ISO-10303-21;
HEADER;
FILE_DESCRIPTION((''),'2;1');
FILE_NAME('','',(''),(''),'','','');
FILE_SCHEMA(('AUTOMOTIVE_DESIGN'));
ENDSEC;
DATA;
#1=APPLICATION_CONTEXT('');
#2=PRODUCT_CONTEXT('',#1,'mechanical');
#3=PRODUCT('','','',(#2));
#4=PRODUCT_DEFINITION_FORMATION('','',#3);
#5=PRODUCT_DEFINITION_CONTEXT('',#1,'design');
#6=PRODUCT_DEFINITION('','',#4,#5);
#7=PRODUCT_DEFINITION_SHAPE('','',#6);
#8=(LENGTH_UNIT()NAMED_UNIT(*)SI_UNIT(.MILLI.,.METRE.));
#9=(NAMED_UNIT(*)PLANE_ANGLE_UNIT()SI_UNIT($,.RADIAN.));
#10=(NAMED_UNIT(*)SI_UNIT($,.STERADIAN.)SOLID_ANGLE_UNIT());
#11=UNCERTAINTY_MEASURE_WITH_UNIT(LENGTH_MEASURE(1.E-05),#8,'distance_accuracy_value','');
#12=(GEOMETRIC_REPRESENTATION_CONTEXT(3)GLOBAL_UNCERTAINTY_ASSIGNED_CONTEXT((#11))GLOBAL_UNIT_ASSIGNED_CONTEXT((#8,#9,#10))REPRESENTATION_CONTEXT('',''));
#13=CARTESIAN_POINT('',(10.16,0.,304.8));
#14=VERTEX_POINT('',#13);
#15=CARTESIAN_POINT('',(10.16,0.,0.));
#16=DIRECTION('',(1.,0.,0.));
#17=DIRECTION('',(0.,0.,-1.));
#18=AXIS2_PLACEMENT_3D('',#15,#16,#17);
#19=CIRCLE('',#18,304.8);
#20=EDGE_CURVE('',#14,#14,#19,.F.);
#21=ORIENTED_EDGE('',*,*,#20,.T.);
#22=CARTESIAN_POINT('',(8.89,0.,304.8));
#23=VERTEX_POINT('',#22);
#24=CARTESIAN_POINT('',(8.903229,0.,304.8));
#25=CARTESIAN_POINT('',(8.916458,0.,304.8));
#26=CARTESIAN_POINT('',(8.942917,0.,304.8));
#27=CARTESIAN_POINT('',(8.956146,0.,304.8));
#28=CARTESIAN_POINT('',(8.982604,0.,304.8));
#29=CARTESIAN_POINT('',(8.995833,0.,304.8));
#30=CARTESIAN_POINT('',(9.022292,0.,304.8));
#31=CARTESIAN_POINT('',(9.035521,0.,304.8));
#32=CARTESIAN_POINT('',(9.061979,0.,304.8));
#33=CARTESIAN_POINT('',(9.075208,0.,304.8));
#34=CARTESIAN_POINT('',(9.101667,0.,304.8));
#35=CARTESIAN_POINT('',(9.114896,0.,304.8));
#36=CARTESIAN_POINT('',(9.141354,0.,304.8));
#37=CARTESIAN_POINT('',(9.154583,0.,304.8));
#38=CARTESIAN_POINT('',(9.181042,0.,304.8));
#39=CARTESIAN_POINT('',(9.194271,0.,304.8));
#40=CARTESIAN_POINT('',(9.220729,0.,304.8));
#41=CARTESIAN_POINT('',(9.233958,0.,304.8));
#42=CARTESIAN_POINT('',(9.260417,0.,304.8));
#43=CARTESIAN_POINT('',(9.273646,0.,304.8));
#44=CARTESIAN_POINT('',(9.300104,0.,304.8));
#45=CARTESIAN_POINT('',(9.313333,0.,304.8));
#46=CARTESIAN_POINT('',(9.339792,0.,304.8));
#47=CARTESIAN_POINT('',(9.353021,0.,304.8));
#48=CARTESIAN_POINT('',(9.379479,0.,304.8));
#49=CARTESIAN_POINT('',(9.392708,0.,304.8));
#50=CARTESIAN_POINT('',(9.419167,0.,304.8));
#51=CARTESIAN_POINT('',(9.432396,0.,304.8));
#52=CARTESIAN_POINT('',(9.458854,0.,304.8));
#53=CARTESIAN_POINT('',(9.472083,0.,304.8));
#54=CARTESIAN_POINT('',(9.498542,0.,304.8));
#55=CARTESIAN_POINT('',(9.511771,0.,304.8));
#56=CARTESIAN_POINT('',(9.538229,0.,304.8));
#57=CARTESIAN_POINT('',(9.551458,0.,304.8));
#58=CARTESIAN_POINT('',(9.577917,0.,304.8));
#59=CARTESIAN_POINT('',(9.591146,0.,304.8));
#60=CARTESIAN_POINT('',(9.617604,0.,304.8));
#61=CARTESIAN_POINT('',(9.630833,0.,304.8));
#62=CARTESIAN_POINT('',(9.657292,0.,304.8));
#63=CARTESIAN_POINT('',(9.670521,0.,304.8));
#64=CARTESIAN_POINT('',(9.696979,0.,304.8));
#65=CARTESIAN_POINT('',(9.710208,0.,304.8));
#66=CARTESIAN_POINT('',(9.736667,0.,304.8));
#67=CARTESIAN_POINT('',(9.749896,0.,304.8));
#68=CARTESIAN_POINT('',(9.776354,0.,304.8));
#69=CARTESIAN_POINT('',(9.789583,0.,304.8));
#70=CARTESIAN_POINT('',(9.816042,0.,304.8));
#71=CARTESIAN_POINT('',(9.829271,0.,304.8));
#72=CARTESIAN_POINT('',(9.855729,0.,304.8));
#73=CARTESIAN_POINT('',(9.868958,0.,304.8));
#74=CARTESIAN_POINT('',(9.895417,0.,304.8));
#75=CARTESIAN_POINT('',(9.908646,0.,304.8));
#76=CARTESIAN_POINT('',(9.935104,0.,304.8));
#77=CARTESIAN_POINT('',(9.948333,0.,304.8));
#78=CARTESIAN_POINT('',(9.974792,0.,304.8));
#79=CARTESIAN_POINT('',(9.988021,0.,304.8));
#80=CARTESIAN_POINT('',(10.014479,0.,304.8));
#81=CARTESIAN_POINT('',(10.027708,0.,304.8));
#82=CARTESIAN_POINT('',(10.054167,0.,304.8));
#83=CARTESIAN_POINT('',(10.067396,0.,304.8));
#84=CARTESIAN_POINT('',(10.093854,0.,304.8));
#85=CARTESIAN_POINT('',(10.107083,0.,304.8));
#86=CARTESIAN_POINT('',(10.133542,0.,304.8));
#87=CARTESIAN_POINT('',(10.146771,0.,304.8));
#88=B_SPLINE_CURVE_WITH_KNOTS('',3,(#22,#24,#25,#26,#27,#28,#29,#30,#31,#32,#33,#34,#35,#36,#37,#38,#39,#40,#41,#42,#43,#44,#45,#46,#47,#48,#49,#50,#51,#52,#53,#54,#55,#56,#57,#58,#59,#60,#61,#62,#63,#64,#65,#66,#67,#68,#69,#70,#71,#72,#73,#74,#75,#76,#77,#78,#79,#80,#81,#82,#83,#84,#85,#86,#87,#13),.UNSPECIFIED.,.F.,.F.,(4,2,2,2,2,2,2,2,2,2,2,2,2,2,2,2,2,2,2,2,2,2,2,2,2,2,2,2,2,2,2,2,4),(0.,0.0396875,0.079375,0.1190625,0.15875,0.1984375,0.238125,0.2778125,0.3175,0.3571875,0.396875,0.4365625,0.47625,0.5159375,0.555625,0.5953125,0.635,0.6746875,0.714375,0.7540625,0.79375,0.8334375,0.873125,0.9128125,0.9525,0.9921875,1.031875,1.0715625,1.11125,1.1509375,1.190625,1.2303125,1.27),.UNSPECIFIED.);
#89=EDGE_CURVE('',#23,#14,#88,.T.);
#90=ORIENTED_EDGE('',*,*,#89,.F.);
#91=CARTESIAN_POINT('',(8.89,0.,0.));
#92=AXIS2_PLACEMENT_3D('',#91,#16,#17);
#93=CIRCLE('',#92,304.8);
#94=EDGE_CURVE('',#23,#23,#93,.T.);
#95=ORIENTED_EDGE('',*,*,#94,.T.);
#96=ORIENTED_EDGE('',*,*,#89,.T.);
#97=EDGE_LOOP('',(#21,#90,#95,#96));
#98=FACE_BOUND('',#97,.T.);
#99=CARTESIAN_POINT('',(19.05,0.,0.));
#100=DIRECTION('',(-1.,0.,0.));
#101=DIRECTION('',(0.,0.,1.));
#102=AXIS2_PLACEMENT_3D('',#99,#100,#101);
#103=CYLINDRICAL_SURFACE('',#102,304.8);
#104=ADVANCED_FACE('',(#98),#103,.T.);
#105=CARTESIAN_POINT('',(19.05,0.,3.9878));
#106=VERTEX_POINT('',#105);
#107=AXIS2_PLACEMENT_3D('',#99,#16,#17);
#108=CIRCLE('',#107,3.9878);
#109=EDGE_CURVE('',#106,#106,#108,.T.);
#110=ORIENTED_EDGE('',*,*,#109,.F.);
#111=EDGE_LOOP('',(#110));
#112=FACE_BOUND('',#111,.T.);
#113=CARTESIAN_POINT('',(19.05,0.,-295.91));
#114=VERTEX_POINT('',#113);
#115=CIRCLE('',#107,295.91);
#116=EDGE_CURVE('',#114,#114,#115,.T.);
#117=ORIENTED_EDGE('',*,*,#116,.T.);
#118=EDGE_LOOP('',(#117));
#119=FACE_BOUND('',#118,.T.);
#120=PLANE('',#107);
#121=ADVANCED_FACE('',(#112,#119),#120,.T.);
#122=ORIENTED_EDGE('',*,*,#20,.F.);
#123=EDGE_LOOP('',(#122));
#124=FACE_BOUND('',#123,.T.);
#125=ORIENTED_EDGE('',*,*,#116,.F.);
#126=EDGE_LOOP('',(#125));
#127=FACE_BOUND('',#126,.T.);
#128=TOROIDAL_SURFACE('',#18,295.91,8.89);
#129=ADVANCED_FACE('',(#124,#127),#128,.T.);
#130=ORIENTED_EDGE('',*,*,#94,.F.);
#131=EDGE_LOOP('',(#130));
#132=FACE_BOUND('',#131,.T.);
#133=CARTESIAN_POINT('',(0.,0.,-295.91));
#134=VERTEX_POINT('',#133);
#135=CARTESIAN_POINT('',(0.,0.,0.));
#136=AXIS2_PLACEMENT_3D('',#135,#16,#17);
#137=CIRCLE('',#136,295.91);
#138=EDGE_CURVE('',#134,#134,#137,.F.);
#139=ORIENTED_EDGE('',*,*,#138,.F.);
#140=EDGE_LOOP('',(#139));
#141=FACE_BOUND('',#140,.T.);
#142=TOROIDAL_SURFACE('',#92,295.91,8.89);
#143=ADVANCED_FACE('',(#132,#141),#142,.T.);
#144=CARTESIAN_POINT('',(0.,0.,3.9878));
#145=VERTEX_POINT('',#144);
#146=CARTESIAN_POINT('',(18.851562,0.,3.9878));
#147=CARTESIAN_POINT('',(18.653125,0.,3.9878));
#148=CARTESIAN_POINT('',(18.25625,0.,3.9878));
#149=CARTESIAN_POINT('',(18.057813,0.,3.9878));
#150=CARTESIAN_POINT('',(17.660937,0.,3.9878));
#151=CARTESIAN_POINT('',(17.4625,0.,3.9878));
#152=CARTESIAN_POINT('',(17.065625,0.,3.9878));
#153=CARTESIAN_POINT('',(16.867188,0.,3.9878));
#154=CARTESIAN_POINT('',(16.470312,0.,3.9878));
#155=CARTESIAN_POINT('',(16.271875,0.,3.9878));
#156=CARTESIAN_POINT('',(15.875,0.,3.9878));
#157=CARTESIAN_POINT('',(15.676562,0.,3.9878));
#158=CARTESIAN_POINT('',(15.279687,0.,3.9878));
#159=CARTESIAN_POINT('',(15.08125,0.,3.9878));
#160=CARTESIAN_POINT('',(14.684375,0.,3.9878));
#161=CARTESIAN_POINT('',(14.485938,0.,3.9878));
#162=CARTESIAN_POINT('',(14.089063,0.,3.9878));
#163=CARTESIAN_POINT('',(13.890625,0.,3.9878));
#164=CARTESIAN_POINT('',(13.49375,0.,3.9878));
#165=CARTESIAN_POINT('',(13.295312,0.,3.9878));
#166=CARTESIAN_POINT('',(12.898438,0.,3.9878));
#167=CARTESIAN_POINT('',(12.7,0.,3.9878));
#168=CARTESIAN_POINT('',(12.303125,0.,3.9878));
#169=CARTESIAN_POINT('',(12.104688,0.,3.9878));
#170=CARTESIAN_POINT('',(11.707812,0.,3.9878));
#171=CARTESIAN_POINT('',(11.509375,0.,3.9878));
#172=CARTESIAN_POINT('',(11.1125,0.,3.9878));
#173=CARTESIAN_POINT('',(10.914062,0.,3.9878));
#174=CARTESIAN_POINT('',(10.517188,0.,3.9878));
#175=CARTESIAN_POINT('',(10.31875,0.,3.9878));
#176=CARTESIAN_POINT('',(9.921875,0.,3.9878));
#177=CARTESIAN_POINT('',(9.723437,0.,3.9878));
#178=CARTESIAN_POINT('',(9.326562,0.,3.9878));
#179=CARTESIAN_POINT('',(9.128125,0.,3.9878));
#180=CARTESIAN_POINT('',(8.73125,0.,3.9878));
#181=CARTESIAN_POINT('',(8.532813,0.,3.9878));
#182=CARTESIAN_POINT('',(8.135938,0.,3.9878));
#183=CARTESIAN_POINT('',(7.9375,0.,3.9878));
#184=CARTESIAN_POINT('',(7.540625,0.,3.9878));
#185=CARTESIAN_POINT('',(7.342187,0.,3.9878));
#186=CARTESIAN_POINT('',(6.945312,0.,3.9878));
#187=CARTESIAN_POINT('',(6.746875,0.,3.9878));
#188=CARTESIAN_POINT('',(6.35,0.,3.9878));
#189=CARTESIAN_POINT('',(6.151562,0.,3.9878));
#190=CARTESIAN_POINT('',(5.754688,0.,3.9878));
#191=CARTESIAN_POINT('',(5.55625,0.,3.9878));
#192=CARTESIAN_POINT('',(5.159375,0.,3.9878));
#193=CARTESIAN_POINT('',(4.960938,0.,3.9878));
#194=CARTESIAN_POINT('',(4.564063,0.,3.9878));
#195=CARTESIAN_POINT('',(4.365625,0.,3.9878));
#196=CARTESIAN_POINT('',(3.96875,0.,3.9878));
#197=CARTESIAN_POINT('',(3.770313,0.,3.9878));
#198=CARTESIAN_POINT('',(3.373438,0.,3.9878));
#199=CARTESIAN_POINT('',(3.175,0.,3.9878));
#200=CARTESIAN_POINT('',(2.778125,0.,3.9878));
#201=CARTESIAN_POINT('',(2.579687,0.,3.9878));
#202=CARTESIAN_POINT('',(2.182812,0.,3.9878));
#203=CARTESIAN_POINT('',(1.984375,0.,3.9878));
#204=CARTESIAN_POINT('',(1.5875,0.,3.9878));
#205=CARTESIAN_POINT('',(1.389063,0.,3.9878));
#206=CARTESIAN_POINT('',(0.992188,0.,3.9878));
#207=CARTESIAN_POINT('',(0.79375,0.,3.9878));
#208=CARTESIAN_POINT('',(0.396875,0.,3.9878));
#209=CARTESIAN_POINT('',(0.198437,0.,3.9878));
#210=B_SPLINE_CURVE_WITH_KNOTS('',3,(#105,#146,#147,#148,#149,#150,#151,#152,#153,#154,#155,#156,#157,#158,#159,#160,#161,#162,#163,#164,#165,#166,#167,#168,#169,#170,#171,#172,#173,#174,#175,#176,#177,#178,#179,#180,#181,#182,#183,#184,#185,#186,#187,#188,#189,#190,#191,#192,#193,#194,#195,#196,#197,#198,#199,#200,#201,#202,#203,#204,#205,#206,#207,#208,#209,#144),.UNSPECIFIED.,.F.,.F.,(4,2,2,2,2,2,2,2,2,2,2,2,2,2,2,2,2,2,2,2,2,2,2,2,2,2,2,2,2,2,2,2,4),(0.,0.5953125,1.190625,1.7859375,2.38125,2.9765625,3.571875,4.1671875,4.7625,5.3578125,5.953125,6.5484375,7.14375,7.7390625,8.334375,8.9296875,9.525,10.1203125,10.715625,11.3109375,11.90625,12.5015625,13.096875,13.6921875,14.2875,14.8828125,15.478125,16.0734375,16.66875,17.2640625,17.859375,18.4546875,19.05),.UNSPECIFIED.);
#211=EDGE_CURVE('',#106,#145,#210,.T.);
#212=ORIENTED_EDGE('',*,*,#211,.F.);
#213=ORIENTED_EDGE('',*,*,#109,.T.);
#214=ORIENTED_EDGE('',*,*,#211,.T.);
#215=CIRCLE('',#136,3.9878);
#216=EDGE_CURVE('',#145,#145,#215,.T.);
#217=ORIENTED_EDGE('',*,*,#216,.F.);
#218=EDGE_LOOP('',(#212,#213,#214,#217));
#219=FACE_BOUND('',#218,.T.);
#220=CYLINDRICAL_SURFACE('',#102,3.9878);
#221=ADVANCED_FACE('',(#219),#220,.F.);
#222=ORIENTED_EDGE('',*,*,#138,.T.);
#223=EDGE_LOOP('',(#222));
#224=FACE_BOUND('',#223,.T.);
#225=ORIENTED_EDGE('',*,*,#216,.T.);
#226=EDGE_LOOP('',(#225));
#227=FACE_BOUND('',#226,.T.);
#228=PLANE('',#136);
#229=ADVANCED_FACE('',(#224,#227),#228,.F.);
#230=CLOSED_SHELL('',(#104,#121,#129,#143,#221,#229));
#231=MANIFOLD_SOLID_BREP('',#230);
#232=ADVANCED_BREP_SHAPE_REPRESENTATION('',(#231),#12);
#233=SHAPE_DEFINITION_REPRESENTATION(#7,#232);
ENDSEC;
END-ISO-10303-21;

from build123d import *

# Parameters (mm, degrees)
SKETCH1_R           = 304.8
SKETCH1_R_2         = 3.9878
BOSS_EXTRUDE1_DEPTH = 19.05
FILLET4_R           = 8.89


with BuildPart() as part:
    # Sketch1 → Boss-Extrude1 (new body)
    with BuildSketch(Plane(origin=(0, 0, 0), x_dir=(0, 0, -1), z_dir=(1, 0, 0))):
        with Locations(Location((0, 0, 0), (0, 0, 180))):
            Circle(SKETCH1_R)
        with Locations(Location((0, 0, 0), (0, 0, 180))):
            Circle(SKETCH1_R_2, mode=Mode.SUBTRACT)
    extrude(amount=BOSS_EXTRUDE1_DEPTH)

    # Fillet4
    fillet4_edges = [part.edges().sort_by_distance(p)[0] for p in [
        (0, 0, -304.8),
        (19.05, 0, -304.8),
    ]]
    fillet(fillet4_edges, radius=FILLET4_R)


solid = part.part
